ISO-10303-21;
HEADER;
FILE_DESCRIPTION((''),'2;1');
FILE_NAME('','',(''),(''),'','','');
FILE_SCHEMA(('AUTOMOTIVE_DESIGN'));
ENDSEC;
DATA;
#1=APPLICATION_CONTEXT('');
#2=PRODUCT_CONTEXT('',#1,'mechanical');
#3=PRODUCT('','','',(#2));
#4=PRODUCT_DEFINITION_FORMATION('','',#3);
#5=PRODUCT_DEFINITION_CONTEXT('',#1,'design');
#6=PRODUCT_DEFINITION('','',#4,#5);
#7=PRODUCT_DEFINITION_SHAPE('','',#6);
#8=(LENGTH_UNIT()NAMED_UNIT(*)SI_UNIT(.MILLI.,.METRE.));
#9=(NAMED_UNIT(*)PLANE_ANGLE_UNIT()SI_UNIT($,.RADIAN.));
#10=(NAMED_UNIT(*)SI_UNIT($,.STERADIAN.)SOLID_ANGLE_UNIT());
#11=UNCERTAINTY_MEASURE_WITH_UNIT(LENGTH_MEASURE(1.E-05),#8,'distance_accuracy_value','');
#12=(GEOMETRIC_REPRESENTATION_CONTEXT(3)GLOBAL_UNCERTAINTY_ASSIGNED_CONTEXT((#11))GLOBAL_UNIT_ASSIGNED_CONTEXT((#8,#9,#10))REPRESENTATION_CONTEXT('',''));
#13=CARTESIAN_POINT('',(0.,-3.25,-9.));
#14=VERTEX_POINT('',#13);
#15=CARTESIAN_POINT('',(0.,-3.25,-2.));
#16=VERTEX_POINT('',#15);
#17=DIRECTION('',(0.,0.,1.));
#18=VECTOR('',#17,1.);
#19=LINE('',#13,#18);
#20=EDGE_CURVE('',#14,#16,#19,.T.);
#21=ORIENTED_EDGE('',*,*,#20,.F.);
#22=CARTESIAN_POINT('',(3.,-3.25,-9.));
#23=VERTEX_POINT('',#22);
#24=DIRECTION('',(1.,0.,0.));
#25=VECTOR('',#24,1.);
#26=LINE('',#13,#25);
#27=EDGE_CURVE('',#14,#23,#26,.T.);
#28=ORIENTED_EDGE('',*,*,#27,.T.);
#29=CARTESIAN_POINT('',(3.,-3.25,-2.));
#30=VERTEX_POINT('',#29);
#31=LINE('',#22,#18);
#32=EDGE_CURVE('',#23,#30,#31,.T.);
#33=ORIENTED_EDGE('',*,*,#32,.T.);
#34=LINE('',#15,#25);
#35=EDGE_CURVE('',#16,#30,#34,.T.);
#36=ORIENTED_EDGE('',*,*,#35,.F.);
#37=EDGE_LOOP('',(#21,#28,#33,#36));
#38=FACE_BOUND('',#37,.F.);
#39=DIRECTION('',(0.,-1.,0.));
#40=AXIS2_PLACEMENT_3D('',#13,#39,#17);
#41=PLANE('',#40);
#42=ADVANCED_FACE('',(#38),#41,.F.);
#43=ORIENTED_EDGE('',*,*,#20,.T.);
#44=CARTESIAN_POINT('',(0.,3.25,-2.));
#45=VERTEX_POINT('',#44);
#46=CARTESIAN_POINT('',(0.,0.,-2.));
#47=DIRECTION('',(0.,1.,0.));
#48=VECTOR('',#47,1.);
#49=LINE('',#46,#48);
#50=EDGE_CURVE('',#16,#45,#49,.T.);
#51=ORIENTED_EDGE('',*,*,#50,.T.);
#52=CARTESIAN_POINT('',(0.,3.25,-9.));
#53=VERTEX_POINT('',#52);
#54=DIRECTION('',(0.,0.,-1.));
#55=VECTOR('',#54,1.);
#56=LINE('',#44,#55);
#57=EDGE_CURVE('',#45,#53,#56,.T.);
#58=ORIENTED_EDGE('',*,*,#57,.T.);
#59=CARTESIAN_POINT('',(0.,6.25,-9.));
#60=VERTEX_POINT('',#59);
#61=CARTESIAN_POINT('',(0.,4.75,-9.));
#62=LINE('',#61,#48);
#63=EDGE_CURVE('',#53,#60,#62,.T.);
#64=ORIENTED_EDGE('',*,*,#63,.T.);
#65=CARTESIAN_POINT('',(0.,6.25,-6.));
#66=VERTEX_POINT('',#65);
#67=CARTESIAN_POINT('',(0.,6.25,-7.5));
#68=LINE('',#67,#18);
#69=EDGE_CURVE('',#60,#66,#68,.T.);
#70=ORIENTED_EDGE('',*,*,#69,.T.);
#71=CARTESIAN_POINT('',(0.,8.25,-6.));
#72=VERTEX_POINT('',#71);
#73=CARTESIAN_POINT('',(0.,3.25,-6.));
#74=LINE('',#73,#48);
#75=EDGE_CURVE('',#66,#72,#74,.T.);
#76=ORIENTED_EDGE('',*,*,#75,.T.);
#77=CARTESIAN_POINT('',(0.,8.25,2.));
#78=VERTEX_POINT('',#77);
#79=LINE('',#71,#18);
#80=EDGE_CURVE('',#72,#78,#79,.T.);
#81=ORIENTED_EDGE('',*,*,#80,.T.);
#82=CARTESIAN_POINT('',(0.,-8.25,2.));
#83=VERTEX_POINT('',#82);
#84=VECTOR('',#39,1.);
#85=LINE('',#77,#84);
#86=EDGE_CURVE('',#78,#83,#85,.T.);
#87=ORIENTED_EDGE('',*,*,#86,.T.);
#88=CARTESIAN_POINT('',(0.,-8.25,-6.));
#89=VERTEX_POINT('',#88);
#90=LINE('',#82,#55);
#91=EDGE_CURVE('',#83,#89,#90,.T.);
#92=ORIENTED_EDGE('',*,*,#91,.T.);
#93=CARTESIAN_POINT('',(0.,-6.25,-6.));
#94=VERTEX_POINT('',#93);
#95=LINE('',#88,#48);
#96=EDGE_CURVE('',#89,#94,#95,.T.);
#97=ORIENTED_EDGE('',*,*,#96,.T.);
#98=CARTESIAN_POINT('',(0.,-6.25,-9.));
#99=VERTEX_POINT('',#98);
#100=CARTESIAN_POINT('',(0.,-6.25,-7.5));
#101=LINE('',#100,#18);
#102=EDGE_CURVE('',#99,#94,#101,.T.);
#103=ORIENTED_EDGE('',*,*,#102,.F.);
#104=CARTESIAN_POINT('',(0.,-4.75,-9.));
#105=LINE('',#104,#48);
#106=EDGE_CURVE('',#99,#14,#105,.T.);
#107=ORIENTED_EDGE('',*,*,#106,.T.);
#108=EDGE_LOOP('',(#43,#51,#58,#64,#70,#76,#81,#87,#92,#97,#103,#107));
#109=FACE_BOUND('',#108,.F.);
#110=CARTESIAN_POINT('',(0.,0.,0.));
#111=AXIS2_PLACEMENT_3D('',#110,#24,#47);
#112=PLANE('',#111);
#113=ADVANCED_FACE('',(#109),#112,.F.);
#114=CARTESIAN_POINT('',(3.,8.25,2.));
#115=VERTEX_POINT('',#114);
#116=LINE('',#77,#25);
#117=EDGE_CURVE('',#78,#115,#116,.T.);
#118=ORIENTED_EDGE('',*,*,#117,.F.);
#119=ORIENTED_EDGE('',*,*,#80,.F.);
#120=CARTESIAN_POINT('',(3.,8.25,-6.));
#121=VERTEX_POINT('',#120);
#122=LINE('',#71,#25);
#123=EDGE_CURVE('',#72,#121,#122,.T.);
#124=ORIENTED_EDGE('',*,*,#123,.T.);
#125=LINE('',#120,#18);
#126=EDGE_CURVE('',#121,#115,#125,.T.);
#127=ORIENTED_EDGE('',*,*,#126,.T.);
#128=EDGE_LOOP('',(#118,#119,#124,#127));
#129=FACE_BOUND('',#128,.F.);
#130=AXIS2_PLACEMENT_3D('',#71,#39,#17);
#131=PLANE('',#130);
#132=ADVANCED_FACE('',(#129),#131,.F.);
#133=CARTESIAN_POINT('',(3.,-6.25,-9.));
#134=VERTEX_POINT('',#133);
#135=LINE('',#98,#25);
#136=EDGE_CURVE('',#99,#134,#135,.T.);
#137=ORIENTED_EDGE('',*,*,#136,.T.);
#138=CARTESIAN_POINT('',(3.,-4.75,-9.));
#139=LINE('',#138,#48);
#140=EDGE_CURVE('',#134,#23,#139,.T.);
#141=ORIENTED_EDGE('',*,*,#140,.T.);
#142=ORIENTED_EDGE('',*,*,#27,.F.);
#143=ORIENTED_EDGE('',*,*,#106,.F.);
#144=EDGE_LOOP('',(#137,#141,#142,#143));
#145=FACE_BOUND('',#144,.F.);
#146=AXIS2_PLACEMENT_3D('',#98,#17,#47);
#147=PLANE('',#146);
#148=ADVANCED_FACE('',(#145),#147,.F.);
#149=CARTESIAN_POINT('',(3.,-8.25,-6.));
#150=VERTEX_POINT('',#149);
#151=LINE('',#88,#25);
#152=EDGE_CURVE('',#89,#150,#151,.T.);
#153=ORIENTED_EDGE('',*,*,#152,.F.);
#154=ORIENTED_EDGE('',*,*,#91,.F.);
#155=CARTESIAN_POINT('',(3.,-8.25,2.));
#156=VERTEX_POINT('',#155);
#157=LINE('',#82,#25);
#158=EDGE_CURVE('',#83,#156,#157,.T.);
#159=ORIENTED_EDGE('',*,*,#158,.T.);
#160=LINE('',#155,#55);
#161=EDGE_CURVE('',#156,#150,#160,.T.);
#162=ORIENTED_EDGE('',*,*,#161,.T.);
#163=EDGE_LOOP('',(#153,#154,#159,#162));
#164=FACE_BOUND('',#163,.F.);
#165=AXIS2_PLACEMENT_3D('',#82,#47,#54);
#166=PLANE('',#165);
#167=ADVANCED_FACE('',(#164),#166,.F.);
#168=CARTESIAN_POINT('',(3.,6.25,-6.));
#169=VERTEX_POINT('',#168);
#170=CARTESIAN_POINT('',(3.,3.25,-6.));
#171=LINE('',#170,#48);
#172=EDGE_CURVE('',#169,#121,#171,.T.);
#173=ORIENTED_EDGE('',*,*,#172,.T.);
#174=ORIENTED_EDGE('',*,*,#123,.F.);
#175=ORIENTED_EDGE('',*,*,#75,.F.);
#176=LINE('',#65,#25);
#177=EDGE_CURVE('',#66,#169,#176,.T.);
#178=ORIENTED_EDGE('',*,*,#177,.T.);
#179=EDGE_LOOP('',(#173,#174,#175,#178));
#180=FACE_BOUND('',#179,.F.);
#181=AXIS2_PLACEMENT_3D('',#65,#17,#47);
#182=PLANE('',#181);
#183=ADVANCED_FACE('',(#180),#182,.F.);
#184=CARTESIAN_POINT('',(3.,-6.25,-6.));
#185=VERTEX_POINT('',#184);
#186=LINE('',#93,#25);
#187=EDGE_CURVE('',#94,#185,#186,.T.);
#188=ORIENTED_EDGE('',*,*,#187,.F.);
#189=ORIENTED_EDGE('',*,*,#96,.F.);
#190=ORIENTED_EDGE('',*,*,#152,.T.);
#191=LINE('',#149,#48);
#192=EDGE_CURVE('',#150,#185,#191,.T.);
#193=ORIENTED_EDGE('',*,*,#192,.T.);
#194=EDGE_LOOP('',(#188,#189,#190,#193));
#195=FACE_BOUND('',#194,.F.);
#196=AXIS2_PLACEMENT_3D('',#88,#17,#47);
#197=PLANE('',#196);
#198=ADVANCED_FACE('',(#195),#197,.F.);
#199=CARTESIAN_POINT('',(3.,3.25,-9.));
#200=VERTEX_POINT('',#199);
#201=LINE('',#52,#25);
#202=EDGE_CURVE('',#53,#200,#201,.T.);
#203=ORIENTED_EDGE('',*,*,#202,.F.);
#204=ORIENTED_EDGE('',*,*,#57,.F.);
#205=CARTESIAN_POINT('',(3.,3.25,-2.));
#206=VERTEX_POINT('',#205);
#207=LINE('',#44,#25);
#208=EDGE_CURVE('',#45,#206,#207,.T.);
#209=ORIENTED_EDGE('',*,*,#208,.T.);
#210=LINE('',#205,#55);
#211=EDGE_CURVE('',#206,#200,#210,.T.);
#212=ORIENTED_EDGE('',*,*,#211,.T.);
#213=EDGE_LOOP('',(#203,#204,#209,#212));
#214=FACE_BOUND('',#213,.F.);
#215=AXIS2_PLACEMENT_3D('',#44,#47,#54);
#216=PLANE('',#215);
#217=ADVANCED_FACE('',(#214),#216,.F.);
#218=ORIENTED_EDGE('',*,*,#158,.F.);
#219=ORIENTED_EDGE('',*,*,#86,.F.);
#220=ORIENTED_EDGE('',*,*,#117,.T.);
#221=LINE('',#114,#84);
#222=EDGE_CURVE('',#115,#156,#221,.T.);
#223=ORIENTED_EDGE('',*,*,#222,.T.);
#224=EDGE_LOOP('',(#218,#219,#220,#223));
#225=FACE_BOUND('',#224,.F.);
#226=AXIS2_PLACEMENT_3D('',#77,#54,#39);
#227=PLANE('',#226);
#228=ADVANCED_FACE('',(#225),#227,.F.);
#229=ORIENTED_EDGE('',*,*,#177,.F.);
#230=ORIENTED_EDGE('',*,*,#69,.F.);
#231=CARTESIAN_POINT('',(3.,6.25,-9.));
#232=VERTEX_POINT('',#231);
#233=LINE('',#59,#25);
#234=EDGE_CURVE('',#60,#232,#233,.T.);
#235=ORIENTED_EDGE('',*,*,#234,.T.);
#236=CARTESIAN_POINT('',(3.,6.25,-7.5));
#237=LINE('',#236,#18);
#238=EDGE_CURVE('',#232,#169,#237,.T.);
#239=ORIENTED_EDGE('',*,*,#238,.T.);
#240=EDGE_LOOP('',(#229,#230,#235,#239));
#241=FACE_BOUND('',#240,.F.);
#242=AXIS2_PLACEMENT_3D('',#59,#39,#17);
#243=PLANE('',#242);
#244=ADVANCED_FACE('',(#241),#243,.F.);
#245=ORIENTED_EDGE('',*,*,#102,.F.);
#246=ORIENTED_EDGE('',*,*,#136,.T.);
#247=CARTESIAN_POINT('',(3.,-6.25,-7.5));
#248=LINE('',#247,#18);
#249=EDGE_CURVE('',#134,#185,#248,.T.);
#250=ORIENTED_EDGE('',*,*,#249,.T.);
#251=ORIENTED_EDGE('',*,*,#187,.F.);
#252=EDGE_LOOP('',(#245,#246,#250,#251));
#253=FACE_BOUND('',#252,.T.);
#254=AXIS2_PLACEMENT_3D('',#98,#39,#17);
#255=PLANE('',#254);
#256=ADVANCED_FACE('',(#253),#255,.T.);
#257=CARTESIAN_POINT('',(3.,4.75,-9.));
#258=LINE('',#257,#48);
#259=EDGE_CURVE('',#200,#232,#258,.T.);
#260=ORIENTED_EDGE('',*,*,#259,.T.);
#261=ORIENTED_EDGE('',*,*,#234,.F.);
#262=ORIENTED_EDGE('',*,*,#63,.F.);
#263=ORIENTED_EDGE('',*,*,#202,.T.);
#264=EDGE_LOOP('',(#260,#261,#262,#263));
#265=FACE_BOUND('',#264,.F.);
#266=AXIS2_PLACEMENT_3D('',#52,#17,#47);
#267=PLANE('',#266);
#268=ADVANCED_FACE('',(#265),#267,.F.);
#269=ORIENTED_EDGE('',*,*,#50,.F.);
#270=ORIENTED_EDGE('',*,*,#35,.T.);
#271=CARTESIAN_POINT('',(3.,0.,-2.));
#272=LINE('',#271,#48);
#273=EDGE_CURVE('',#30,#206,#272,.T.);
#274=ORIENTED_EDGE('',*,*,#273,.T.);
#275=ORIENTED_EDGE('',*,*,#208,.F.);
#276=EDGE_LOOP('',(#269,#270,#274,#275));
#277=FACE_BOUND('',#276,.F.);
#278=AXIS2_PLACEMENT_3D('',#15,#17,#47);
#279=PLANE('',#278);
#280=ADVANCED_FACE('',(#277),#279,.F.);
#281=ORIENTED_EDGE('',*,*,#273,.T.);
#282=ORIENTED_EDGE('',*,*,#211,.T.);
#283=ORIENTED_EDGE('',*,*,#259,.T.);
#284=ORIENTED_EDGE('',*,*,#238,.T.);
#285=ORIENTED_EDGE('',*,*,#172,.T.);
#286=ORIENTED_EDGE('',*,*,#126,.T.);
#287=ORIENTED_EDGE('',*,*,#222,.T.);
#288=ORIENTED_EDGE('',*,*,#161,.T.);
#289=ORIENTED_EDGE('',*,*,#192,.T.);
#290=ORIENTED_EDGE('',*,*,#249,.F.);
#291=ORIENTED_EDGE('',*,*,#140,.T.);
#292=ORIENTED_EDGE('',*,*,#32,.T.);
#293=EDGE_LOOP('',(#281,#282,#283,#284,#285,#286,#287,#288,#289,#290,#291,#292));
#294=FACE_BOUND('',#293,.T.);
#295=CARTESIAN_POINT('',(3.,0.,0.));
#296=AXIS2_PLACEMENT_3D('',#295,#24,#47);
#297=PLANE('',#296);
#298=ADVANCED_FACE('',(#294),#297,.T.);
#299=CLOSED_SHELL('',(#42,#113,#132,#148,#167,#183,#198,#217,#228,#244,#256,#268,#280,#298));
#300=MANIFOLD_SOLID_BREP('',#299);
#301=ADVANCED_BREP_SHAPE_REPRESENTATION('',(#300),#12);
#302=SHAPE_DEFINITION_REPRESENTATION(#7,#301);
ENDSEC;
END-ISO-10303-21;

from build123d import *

# Parameters (mm, degrees)
F0_W     = 6.5
F0_H     = 4
F0_W_2   = 3
F0_H_2   = 3
F1_DEPTH = 3


with BuildPart() as f1:
    # F0 (on Right) → F1 (new body)
    with BuildSketch(Plane.YZ):
        Rectangle(F0_W, F0_H)
        Polygon((3.25, 2), (3.25, -2), (3.25, -6), (6.25, -6), (8.25, -6), (8.25, 2), align=None)
        Polygon((-3.25, -6), (-3.25, -2), (-3.25, 2), (-8.25, 2), (-8.25, -6), (-6.25, -6), align=None)
        with Locations((4.75, -7.5)):
            Rectangle(F0_W_2, F0_H_2)
        with Locations((-4.75, -7.5)):
            Rectangle(F0_W_2, F0_H_2)
    extrude(amount=F1_DEPTH)


solid = f1.part
